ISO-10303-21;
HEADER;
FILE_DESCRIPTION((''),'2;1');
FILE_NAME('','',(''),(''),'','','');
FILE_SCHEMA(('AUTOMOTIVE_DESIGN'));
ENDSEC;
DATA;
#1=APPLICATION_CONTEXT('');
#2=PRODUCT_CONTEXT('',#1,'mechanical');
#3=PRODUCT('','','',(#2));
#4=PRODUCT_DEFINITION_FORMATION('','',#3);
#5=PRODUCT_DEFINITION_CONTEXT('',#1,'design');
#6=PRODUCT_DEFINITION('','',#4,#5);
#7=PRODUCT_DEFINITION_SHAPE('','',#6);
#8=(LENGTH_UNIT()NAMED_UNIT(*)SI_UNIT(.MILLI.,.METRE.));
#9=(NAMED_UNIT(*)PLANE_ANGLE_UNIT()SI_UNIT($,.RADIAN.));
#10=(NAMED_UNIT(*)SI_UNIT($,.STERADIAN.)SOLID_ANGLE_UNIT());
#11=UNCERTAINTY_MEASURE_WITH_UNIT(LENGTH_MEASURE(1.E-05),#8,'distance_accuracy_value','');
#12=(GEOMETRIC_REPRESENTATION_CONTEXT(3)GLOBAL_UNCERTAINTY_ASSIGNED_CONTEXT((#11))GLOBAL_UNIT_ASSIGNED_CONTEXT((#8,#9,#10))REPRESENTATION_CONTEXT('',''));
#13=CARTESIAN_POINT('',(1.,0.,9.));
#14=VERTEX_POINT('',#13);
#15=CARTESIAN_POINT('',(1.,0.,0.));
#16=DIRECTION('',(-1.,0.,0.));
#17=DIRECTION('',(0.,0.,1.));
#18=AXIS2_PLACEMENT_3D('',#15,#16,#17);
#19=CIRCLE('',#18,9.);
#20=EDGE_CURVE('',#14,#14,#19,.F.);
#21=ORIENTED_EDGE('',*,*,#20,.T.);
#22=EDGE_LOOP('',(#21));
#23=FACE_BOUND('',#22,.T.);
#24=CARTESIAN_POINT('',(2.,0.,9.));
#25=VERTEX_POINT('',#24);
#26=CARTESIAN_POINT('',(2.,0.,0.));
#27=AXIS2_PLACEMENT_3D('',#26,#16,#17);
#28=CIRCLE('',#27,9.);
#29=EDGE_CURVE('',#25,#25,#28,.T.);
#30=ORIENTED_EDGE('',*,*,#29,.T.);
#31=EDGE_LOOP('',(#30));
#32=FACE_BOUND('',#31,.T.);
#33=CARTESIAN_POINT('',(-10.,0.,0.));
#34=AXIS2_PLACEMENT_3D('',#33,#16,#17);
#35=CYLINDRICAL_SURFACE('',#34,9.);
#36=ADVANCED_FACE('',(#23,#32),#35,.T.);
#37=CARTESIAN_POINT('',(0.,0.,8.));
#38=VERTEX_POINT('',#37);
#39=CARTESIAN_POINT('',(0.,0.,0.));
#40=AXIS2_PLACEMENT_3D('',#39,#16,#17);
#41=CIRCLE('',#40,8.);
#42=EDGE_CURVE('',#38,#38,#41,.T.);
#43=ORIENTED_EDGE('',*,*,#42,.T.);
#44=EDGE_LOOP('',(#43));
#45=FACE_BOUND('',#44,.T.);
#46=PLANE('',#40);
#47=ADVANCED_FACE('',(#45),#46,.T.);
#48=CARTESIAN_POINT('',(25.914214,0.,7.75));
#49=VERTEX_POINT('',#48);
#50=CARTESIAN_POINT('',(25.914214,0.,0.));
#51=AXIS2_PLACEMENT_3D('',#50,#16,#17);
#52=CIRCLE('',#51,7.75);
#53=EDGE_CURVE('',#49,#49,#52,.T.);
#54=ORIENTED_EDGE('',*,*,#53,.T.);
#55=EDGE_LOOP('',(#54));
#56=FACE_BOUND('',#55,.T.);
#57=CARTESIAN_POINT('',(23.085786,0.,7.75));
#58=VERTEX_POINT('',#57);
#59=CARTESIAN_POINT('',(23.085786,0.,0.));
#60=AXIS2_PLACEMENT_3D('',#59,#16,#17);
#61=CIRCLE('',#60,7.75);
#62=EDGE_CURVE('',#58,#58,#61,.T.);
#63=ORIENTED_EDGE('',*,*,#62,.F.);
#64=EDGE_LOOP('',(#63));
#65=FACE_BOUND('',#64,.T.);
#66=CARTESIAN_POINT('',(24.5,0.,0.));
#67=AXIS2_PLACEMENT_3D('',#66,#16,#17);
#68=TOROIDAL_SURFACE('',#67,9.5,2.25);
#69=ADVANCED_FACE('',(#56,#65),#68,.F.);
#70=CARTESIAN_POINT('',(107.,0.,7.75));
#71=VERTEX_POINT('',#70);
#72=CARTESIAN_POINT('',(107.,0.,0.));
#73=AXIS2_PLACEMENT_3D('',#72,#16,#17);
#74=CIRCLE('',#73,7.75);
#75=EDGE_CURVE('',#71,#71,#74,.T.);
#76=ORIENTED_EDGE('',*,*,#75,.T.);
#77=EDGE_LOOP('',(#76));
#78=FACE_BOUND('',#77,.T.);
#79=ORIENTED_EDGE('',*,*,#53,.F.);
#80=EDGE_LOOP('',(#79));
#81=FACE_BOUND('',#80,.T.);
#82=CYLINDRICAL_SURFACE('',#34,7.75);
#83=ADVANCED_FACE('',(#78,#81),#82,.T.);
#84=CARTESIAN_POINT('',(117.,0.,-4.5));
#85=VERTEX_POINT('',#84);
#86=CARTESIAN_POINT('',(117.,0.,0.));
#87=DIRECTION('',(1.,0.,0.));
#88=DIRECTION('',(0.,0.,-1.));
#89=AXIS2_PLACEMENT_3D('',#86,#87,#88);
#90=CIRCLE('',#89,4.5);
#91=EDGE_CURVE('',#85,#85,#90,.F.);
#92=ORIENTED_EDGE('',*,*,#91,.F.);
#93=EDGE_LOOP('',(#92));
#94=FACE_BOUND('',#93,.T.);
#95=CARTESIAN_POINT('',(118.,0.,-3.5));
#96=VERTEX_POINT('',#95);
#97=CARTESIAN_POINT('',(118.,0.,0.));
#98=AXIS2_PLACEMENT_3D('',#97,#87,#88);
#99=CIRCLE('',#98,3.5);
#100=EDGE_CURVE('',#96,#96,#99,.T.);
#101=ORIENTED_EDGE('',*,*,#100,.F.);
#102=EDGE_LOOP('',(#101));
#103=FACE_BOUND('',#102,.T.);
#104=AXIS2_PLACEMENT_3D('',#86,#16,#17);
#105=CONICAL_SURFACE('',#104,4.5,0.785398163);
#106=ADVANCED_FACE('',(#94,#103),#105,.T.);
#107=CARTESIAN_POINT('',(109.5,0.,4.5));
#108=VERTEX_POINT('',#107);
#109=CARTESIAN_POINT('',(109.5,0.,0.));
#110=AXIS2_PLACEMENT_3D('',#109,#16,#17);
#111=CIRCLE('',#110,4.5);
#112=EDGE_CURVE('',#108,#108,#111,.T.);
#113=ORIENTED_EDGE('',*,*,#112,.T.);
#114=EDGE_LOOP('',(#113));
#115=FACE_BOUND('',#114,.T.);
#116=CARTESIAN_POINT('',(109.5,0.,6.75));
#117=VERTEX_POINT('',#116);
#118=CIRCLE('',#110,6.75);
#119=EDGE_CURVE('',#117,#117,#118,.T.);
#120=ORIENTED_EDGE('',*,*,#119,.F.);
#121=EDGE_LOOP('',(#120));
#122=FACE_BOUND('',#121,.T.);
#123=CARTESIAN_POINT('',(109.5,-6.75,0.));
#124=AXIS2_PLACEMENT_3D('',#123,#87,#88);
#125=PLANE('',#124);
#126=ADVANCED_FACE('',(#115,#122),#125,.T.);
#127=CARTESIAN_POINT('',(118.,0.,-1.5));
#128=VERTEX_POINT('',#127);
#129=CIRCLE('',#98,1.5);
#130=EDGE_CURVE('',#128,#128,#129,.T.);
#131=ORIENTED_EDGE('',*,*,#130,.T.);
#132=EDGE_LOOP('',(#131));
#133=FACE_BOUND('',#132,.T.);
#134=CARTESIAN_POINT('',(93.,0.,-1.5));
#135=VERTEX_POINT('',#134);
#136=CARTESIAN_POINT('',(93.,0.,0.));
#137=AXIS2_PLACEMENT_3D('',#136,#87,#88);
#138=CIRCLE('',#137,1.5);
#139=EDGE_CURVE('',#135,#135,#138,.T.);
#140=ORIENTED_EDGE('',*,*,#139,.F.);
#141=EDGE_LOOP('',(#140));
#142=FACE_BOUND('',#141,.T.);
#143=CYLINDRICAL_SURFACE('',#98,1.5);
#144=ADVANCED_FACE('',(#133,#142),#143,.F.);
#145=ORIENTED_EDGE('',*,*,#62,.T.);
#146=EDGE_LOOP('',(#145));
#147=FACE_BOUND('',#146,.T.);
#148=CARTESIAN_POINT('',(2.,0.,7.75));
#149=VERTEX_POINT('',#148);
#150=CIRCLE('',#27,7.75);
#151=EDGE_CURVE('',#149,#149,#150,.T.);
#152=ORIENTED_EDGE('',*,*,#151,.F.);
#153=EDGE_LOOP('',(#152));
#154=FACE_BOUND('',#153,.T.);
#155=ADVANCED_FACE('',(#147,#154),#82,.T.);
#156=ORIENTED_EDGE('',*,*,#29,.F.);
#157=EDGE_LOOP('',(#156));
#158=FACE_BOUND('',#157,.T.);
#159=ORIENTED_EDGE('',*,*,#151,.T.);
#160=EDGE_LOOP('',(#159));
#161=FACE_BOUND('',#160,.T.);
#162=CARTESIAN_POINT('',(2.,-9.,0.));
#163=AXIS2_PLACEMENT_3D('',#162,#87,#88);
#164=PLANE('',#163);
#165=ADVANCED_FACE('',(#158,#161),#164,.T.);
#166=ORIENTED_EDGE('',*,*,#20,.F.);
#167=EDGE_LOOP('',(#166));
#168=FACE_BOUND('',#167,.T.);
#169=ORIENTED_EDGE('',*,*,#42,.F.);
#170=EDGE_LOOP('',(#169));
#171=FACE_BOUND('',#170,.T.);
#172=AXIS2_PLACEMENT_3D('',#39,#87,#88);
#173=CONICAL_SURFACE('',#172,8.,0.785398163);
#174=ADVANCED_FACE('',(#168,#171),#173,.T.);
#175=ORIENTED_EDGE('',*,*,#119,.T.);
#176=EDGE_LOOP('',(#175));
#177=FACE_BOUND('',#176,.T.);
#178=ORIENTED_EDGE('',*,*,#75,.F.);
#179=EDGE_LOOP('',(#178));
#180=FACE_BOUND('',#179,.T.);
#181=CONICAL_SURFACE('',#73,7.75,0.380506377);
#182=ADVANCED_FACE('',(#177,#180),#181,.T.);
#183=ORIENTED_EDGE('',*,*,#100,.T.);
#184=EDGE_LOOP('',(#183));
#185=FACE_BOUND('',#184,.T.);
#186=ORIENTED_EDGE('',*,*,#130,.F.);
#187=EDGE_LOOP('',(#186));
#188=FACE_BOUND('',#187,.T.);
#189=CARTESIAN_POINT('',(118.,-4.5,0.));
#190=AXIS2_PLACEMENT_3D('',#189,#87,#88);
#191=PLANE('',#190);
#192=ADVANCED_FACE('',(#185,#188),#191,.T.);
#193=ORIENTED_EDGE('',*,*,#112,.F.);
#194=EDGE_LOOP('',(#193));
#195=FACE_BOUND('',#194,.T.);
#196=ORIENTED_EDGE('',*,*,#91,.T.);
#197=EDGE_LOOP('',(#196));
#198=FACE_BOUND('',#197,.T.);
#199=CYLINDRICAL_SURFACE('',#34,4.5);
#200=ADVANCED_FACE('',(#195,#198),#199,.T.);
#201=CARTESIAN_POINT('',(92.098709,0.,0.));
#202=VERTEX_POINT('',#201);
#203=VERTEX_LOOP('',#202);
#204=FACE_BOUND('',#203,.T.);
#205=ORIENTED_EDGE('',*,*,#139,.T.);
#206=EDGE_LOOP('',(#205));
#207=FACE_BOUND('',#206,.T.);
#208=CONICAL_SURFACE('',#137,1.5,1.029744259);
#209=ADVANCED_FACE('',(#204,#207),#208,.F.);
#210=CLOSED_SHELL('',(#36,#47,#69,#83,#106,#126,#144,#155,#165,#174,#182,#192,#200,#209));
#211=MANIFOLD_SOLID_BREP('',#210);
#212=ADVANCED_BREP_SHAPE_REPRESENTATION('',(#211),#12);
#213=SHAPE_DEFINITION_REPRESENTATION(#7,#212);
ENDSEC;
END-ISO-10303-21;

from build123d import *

# Parameters (mm, degrees)
CHANFREIN1_SIZE = 1
PER_AGE1_D      = 3
PER_AGE1_DEPTH  = 25
PER_AGE1_TIP    = 0.901290929


with BuildPart() as part:
    # Esquisse1 → Base-Révolution (revolve)
    with BuildSketch(Plane.XY, mode=Mode.PRIVATE) as base_r_volution_sk:
        with BuildLine():
            Line((0, 0), (0, -9))
            Line((0, -9), (2, -9))
            Line((2, -9), (2, -7.75))
            Line((2, -7.75), (23.085786438, -7.75))
            ThreePointArc((23.085786438, -7.75), (24.5, -7.25), (25.914213562, -7.75))
            Line((25.914213562, -7.75), (107, -7.75))
            Line((107, -7.75), (109.5, -6.75))
            Line((109.5, -6.75), (109.5, -4.5))
            Line((109.5, -4.5), (118, -4.5))
            Line((118, -4.5), (118, 0))
            Line((118, 0), (0, 0))
        make_face()
    revolve(base_r_volution_sk.sketch.rotate(Axis((-10, 0, 0), (1, 0, 0)), 270), axis=Axis((-10, 0, 0), (1, 0, 0)))

    # Chanfrein1
    chanfrein1_edges = [part.edges().sort_by_distance(p)[0] for p in [
        (0, 0, -9),
        (118, 0, -4.5),
    ]]
    chamfer(chanfrein1_edges, length=CHANFREIN1_SIZE)

    # Perçage1
    with Locations(Plane(origin=(118, 0, 0), x_dir=(0, 0, -1), z_dir=(1, 0, 0))):
        with Locations((0, 0)):
            Hole(PER_AGE1_D / 2, depth=PER_AGE1_DEPTH)
            with Locations((0, 0, -(PER_AGE1_DEPTH + PER_AGE1_TIP / 2))):  # 118° drill point
                Cone(0, PER_AGE1_D / 2, PER_AGE1_TIP, mode=Mode.SUBTRACT)


solid = part.part
